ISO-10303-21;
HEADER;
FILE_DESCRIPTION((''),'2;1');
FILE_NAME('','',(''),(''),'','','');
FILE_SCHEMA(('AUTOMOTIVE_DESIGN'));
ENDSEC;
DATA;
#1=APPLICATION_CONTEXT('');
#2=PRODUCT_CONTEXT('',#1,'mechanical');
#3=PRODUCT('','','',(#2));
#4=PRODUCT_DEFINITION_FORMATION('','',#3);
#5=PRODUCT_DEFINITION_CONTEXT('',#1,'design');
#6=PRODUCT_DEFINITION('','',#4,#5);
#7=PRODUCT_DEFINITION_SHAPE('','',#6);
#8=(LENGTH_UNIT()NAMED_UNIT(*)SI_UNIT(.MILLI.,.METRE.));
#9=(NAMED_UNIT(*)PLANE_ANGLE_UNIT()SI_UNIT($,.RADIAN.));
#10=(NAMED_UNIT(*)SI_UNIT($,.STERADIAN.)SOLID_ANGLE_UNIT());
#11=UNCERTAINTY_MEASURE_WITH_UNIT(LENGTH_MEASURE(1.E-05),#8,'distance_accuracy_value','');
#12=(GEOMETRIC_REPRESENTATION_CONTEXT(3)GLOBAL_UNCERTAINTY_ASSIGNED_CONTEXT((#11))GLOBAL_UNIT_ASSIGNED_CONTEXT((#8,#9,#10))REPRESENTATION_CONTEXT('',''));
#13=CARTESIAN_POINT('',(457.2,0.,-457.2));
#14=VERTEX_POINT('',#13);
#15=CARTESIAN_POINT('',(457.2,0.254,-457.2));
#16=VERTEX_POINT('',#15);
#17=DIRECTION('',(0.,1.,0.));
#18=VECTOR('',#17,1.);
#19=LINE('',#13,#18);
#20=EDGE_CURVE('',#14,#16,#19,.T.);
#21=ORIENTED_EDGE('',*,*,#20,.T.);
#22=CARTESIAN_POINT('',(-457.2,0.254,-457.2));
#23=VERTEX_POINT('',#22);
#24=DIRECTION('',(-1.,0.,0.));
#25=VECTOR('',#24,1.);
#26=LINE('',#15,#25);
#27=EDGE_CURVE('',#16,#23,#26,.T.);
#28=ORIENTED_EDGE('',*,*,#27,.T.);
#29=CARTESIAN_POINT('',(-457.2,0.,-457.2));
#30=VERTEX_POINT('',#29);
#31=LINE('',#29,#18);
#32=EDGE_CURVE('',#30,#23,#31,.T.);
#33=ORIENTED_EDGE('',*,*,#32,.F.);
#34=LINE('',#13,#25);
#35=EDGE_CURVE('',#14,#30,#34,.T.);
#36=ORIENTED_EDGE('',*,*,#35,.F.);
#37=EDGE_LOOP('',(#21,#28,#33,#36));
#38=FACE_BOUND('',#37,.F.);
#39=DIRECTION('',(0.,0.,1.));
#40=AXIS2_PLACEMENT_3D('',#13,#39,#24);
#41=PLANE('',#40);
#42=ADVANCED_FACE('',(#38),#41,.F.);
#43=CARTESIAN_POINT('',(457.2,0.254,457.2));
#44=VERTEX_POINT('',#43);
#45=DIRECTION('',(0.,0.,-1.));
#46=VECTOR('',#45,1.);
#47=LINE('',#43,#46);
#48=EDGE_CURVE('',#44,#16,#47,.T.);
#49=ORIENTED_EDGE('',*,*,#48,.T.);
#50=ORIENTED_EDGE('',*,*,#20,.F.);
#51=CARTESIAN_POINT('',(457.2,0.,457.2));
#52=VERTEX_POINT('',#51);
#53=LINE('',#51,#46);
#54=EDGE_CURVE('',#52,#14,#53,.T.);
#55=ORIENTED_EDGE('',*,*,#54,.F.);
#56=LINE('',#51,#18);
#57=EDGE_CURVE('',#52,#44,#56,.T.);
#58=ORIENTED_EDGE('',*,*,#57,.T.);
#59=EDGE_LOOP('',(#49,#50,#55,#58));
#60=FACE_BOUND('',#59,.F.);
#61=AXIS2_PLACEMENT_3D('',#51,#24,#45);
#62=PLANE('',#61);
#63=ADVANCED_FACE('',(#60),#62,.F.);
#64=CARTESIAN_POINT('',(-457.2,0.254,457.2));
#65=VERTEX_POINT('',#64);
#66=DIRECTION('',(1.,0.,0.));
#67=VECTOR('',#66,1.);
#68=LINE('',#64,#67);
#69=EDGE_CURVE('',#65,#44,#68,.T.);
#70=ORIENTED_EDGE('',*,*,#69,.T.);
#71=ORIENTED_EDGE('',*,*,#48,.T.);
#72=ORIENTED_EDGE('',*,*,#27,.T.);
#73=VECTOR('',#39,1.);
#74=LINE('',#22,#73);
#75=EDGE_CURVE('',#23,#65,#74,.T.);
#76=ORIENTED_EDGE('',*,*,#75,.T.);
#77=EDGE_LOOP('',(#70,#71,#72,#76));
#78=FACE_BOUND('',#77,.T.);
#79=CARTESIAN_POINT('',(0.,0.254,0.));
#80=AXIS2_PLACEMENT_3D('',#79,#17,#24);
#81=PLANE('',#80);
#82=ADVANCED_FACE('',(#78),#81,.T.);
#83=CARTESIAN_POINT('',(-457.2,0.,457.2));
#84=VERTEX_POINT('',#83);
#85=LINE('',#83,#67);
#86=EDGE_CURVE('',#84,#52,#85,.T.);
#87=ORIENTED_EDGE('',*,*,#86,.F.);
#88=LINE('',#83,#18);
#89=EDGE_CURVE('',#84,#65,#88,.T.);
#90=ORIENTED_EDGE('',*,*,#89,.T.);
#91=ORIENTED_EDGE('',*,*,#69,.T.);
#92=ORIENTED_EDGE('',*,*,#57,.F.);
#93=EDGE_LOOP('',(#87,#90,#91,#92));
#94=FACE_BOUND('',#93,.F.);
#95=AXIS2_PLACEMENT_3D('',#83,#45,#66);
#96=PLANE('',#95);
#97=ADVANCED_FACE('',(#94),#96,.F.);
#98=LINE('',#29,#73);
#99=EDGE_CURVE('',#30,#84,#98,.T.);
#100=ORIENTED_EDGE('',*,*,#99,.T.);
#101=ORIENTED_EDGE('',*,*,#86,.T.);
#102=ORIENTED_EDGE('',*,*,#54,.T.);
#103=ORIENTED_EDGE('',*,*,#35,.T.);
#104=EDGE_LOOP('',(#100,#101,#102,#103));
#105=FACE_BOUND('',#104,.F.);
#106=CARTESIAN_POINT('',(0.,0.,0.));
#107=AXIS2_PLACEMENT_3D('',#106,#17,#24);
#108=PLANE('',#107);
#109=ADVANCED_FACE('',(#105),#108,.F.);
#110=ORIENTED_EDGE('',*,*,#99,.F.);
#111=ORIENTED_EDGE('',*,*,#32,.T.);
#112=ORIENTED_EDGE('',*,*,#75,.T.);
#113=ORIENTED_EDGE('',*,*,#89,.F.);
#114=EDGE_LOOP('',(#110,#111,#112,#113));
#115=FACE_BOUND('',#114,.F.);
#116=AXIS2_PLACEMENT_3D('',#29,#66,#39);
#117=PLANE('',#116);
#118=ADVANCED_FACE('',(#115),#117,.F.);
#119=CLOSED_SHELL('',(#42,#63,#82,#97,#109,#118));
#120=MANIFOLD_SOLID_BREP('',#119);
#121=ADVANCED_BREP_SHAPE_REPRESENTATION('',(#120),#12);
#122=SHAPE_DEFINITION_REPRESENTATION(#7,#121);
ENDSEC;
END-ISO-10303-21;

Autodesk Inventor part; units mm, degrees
ref_plane "YZ Plane" through (0, 0, 0) normal (1, 0, 0) x (0, 1, 0)
ref_plane "XZ Plane" through (0, 0, 0) normal (0, 1, 0) x (-1, 0, 0)
ref_plane "XY Plane" through (0, 0, 0) normal (0, 0, 1) x (1, 0, 0)
sketch "Sketch1" plane through (0, 0, 0) normal (0, 1, 0) x (-1, 0, 0)
  line L0 (457.2, 457.2) -> (-457.2, 457.2)
  line L1 (-457.2, 457.2) -> (-457.2, -457.2)
  line L2 (-457.2, -457.2) -> (457.2, -457.2)
  line L3 (457.2, -457.2) -> (457.2, 457.2)
  line L4 (457.2, 457.2) -> (-457.2, -457.2) construction
  line L5 (-457.2, 457.2) -> (457.2, -457.2) construction
  point P0 (0, 0)
  dimension "d0" = 914.4
  dimension "d1" = 914.4
extrude "Extrusion1" add sketch "Sketch1" along normal blind 0.254
properties part number "floor" material "Polycarbonate, Smoke"
